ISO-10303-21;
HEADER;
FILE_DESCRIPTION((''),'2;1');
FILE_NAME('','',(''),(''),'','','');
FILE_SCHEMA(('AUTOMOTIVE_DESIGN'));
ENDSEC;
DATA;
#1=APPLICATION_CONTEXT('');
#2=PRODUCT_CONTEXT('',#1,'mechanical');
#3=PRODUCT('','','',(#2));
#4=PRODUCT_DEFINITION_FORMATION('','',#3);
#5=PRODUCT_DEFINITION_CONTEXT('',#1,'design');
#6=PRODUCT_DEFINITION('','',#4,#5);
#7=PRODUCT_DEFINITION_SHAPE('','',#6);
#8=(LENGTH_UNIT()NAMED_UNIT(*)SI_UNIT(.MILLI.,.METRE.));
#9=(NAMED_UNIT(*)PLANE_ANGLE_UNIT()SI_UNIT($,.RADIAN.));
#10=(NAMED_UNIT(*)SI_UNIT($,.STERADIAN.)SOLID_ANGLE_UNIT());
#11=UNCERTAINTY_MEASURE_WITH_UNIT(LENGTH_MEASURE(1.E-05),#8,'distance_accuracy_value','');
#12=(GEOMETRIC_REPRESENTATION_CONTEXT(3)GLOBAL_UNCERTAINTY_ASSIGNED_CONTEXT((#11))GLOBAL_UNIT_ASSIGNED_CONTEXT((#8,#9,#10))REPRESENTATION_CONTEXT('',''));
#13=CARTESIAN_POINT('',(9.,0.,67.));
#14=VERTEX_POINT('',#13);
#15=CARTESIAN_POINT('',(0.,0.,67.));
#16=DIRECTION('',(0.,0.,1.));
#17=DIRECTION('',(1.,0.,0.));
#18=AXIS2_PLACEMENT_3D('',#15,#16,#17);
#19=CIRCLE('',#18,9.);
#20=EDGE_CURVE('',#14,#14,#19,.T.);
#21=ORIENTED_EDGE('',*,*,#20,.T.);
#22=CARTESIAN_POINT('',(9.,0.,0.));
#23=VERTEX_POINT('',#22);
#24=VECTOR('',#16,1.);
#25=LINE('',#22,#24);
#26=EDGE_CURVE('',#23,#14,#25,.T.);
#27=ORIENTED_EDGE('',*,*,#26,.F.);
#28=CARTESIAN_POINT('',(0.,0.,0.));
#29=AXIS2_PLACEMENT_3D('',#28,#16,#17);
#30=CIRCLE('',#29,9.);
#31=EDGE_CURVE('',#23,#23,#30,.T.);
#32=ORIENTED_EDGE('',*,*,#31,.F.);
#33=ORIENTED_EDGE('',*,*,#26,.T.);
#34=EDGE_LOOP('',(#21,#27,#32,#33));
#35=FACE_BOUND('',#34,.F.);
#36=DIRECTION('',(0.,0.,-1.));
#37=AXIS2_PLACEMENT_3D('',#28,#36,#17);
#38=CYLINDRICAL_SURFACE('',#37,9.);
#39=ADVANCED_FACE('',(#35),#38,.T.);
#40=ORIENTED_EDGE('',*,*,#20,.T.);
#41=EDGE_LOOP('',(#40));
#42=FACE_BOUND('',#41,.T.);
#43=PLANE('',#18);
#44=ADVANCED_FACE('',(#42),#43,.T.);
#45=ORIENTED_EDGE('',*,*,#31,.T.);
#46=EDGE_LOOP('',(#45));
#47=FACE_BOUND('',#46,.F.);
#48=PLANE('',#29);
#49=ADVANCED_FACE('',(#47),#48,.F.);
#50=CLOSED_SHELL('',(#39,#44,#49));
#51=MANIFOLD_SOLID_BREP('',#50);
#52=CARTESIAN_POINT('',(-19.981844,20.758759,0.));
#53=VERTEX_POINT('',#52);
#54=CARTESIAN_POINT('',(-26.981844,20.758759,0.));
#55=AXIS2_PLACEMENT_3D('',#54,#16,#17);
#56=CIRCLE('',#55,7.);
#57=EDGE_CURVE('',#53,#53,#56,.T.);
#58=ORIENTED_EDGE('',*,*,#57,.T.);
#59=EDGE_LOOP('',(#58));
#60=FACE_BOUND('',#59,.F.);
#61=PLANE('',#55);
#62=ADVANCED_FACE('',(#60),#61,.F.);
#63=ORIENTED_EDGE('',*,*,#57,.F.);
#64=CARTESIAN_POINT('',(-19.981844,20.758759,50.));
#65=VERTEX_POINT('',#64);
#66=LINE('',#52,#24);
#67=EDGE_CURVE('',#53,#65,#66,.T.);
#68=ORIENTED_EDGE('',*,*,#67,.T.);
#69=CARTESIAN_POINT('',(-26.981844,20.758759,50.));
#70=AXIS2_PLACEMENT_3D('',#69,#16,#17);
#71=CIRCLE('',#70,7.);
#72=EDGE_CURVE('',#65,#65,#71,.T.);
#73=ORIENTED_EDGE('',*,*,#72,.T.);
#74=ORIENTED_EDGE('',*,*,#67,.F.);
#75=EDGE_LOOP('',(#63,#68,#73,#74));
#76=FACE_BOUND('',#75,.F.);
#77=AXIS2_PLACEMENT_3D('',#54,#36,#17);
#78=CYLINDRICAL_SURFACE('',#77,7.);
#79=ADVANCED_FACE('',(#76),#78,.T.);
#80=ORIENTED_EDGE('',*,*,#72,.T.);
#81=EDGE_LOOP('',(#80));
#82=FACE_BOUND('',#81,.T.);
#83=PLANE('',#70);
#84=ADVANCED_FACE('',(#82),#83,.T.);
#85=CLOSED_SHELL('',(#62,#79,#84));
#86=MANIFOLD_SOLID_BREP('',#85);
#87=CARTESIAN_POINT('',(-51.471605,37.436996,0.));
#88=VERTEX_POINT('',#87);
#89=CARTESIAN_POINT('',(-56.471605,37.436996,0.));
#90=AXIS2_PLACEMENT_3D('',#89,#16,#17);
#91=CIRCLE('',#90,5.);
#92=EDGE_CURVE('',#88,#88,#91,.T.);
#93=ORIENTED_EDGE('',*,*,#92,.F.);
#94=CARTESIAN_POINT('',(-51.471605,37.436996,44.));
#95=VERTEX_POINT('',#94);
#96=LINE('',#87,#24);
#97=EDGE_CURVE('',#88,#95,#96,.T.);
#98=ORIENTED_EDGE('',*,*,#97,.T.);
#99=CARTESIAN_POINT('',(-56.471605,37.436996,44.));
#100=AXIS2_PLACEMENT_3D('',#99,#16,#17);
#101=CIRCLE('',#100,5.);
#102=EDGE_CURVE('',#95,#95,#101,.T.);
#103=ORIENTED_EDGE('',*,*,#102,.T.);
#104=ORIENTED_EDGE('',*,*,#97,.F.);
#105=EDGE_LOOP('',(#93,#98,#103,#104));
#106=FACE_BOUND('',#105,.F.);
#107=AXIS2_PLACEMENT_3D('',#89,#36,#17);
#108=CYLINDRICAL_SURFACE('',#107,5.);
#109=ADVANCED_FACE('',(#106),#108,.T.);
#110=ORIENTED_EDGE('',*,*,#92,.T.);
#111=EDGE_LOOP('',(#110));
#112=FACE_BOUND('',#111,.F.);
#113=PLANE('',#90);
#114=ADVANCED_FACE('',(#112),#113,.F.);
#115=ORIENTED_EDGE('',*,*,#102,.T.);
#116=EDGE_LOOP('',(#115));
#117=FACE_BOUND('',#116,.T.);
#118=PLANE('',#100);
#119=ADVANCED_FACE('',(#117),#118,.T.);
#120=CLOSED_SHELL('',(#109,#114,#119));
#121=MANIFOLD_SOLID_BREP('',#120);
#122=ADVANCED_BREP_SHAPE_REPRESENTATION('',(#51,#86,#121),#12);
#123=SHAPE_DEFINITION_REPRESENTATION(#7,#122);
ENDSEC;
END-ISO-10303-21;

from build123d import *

# Parameters (mm, degrees)
F0_R     = 9
F1_DEPTH = 67
F2_R     = 7
F3_DEPTH = 50
F4_R     = 5
F5_DEPTH = 44


with BuildPart() as f1:
    # F0 (on Top) → F1 (new body)
    with BuildSketch(Plane.XY):
        Circle(F0_R)
    extrude(amount=F1_DEPTH)


with BuildPart() as f3:
    # F2 (on Top) → F3 (new body)
    with BuildSketch(Plane.XY):
        with Locations((-26.981844, 20.758759)):
            Circle(F2_R)
    extrude(amount=F3_DEPTH)


with BuildPart() as f5:
    # F4 (on Top) → F5 (new body)
    with BuildSketch(Plane.XY):
        with Locations((-56.471605, 37.436996)):
            Circle(F4_R)
    extrude(amount=F5_DEPTH)


solid = Compound([f1.part, f3.part, f5.part])
